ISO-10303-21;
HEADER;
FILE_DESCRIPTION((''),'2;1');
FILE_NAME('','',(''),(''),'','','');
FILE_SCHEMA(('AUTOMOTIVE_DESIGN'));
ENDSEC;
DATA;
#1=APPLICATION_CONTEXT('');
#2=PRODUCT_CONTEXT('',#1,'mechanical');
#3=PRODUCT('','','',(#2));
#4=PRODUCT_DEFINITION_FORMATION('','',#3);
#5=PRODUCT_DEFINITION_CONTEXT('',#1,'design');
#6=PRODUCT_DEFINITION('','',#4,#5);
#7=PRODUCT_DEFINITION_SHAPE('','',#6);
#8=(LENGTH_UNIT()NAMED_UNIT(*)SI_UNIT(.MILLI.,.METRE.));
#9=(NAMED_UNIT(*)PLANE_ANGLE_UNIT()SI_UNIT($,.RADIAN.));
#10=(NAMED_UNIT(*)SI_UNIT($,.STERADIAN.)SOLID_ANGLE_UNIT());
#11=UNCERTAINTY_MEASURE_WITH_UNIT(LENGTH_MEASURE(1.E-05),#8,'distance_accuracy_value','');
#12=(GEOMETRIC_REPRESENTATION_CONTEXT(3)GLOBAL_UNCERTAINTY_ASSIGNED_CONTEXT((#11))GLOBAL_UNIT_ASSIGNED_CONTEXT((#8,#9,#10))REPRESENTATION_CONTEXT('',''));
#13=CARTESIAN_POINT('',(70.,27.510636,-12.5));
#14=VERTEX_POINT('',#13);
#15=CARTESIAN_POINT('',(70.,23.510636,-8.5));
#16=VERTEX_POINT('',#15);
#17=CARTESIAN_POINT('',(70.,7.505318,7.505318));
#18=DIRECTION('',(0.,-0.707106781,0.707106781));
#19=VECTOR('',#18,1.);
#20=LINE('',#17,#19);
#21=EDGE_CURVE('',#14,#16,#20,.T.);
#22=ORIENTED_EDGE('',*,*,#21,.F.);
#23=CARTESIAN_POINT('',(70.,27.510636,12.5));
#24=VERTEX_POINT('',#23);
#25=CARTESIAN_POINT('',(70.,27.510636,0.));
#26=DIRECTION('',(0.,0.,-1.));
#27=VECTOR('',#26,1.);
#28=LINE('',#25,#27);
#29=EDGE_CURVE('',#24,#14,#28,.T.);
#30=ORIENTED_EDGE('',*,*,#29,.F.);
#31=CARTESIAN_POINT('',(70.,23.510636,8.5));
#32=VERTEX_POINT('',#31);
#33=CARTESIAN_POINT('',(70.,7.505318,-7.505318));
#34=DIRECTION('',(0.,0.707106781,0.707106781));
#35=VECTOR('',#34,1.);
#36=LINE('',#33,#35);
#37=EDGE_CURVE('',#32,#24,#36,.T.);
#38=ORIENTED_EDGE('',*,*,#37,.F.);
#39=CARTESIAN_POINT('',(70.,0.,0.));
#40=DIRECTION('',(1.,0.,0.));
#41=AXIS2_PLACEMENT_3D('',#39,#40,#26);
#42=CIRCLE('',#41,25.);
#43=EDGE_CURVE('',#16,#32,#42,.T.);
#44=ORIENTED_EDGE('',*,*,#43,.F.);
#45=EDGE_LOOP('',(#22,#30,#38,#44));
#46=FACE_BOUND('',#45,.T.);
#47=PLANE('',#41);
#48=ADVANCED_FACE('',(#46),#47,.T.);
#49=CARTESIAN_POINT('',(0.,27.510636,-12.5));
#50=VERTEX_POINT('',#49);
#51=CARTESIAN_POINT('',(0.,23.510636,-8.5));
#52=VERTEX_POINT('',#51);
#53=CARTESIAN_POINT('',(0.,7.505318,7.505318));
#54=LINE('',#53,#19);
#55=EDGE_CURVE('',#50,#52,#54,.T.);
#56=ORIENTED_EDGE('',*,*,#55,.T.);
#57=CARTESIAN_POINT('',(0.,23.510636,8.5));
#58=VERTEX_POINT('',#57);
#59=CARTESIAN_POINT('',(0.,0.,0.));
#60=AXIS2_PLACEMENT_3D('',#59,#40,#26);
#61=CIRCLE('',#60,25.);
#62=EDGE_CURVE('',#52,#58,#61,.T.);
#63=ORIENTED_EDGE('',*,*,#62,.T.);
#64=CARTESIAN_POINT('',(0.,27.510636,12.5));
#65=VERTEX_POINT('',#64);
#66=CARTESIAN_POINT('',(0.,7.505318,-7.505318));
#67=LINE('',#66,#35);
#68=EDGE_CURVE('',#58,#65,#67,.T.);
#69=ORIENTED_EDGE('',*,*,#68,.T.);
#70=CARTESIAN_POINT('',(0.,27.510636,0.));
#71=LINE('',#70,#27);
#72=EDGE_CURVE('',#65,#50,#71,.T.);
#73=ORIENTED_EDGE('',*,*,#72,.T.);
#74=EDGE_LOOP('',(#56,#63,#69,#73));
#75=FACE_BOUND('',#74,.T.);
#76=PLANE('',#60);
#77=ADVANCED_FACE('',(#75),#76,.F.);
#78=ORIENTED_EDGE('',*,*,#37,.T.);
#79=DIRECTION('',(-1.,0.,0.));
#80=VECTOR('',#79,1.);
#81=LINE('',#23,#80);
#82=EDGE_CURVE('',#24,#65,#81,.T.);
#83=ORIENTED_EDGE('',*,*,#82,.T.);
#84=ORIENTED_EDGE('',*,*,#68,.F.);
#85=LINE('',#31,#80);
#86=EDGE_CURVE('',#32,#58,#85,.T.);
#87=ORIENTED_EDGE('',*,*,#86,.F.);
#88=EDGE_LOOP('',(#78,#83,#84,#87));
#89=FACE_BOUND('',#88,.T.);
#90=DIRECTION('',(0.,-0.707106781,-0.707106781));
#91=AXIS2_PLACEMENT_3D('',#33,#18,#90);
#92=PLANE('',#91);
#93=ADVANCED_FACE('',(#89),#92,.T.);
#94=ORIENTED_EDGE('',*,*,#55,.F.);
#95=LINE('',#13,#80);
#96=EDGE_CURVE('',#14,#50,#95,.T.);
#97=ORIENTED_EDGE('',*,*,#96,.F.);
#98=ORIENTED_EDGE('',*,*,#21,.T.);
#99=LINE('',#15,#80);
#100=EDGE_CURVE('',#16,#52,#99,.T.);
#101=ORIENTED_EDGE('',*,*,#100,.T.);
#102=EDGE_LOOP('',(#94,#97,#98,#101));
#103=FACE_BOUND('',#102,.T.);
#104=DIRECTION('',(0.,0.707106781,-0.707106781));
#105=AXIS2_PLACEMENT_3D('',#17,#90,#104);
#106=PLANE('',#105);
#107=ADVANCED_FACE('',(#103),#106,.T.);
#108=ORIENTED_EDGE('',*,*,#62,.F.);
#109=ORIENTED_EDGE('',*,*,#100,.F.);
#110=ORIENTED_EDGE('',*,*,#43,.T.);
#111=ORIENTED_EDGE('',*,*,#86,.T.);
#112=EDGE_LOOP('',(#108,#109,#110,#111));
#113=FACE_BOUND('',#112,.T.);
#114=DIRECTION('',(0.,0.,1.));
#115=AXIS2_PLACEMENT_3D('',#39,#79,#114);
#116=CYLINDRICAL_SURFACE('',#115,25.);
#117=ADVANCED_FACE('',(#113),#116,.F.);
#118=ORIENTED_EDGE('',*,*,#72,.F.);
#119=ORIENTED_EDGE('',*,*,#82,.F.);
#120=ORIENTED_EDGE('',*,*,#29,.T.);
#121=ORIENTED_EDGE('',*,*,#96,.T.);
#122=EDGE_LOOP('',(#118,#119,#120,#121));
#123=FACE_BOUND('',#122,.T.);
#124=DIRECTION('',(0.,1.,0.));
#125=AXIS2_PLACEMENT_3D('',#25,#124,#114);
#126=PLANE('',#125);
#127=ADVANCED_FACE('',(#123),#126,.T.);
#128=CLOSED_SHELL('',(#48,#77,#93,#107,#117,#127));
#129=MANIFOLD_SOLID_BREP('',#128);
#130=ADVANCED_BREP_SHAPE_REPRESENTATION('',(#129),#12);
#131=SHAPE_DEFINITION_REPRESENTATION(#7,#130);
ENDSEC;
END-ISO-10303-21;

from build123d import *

# Parameters (mm, degrees)
EXTRUDE_1_DEPTH = 70


with BuildPart() as part:
    # Эскиз1 → Бобышка-Вытянуть1 (new body)
    with BuildSketch(Plane(origin=(0, 0, 0), x_dir=(0, 0, -1), z_dir=(1, 0, 0))):
        with BuildLine():
            Line((-12.5, 27.510635891), (-8.5, 23.510635891))
            ThreePointArc((-8.5, 23.510635891), (0, 25), (8.5, 23.510635891))
            Line((8.5, 23.510635891), (12.5, 27.510635891))
            Line((12.5, 27.510635891), (-12.5, 27.510635891))
        make_face()
    extrude(amount=EXTRUDE_1_DEPTH)


solid = part.part
